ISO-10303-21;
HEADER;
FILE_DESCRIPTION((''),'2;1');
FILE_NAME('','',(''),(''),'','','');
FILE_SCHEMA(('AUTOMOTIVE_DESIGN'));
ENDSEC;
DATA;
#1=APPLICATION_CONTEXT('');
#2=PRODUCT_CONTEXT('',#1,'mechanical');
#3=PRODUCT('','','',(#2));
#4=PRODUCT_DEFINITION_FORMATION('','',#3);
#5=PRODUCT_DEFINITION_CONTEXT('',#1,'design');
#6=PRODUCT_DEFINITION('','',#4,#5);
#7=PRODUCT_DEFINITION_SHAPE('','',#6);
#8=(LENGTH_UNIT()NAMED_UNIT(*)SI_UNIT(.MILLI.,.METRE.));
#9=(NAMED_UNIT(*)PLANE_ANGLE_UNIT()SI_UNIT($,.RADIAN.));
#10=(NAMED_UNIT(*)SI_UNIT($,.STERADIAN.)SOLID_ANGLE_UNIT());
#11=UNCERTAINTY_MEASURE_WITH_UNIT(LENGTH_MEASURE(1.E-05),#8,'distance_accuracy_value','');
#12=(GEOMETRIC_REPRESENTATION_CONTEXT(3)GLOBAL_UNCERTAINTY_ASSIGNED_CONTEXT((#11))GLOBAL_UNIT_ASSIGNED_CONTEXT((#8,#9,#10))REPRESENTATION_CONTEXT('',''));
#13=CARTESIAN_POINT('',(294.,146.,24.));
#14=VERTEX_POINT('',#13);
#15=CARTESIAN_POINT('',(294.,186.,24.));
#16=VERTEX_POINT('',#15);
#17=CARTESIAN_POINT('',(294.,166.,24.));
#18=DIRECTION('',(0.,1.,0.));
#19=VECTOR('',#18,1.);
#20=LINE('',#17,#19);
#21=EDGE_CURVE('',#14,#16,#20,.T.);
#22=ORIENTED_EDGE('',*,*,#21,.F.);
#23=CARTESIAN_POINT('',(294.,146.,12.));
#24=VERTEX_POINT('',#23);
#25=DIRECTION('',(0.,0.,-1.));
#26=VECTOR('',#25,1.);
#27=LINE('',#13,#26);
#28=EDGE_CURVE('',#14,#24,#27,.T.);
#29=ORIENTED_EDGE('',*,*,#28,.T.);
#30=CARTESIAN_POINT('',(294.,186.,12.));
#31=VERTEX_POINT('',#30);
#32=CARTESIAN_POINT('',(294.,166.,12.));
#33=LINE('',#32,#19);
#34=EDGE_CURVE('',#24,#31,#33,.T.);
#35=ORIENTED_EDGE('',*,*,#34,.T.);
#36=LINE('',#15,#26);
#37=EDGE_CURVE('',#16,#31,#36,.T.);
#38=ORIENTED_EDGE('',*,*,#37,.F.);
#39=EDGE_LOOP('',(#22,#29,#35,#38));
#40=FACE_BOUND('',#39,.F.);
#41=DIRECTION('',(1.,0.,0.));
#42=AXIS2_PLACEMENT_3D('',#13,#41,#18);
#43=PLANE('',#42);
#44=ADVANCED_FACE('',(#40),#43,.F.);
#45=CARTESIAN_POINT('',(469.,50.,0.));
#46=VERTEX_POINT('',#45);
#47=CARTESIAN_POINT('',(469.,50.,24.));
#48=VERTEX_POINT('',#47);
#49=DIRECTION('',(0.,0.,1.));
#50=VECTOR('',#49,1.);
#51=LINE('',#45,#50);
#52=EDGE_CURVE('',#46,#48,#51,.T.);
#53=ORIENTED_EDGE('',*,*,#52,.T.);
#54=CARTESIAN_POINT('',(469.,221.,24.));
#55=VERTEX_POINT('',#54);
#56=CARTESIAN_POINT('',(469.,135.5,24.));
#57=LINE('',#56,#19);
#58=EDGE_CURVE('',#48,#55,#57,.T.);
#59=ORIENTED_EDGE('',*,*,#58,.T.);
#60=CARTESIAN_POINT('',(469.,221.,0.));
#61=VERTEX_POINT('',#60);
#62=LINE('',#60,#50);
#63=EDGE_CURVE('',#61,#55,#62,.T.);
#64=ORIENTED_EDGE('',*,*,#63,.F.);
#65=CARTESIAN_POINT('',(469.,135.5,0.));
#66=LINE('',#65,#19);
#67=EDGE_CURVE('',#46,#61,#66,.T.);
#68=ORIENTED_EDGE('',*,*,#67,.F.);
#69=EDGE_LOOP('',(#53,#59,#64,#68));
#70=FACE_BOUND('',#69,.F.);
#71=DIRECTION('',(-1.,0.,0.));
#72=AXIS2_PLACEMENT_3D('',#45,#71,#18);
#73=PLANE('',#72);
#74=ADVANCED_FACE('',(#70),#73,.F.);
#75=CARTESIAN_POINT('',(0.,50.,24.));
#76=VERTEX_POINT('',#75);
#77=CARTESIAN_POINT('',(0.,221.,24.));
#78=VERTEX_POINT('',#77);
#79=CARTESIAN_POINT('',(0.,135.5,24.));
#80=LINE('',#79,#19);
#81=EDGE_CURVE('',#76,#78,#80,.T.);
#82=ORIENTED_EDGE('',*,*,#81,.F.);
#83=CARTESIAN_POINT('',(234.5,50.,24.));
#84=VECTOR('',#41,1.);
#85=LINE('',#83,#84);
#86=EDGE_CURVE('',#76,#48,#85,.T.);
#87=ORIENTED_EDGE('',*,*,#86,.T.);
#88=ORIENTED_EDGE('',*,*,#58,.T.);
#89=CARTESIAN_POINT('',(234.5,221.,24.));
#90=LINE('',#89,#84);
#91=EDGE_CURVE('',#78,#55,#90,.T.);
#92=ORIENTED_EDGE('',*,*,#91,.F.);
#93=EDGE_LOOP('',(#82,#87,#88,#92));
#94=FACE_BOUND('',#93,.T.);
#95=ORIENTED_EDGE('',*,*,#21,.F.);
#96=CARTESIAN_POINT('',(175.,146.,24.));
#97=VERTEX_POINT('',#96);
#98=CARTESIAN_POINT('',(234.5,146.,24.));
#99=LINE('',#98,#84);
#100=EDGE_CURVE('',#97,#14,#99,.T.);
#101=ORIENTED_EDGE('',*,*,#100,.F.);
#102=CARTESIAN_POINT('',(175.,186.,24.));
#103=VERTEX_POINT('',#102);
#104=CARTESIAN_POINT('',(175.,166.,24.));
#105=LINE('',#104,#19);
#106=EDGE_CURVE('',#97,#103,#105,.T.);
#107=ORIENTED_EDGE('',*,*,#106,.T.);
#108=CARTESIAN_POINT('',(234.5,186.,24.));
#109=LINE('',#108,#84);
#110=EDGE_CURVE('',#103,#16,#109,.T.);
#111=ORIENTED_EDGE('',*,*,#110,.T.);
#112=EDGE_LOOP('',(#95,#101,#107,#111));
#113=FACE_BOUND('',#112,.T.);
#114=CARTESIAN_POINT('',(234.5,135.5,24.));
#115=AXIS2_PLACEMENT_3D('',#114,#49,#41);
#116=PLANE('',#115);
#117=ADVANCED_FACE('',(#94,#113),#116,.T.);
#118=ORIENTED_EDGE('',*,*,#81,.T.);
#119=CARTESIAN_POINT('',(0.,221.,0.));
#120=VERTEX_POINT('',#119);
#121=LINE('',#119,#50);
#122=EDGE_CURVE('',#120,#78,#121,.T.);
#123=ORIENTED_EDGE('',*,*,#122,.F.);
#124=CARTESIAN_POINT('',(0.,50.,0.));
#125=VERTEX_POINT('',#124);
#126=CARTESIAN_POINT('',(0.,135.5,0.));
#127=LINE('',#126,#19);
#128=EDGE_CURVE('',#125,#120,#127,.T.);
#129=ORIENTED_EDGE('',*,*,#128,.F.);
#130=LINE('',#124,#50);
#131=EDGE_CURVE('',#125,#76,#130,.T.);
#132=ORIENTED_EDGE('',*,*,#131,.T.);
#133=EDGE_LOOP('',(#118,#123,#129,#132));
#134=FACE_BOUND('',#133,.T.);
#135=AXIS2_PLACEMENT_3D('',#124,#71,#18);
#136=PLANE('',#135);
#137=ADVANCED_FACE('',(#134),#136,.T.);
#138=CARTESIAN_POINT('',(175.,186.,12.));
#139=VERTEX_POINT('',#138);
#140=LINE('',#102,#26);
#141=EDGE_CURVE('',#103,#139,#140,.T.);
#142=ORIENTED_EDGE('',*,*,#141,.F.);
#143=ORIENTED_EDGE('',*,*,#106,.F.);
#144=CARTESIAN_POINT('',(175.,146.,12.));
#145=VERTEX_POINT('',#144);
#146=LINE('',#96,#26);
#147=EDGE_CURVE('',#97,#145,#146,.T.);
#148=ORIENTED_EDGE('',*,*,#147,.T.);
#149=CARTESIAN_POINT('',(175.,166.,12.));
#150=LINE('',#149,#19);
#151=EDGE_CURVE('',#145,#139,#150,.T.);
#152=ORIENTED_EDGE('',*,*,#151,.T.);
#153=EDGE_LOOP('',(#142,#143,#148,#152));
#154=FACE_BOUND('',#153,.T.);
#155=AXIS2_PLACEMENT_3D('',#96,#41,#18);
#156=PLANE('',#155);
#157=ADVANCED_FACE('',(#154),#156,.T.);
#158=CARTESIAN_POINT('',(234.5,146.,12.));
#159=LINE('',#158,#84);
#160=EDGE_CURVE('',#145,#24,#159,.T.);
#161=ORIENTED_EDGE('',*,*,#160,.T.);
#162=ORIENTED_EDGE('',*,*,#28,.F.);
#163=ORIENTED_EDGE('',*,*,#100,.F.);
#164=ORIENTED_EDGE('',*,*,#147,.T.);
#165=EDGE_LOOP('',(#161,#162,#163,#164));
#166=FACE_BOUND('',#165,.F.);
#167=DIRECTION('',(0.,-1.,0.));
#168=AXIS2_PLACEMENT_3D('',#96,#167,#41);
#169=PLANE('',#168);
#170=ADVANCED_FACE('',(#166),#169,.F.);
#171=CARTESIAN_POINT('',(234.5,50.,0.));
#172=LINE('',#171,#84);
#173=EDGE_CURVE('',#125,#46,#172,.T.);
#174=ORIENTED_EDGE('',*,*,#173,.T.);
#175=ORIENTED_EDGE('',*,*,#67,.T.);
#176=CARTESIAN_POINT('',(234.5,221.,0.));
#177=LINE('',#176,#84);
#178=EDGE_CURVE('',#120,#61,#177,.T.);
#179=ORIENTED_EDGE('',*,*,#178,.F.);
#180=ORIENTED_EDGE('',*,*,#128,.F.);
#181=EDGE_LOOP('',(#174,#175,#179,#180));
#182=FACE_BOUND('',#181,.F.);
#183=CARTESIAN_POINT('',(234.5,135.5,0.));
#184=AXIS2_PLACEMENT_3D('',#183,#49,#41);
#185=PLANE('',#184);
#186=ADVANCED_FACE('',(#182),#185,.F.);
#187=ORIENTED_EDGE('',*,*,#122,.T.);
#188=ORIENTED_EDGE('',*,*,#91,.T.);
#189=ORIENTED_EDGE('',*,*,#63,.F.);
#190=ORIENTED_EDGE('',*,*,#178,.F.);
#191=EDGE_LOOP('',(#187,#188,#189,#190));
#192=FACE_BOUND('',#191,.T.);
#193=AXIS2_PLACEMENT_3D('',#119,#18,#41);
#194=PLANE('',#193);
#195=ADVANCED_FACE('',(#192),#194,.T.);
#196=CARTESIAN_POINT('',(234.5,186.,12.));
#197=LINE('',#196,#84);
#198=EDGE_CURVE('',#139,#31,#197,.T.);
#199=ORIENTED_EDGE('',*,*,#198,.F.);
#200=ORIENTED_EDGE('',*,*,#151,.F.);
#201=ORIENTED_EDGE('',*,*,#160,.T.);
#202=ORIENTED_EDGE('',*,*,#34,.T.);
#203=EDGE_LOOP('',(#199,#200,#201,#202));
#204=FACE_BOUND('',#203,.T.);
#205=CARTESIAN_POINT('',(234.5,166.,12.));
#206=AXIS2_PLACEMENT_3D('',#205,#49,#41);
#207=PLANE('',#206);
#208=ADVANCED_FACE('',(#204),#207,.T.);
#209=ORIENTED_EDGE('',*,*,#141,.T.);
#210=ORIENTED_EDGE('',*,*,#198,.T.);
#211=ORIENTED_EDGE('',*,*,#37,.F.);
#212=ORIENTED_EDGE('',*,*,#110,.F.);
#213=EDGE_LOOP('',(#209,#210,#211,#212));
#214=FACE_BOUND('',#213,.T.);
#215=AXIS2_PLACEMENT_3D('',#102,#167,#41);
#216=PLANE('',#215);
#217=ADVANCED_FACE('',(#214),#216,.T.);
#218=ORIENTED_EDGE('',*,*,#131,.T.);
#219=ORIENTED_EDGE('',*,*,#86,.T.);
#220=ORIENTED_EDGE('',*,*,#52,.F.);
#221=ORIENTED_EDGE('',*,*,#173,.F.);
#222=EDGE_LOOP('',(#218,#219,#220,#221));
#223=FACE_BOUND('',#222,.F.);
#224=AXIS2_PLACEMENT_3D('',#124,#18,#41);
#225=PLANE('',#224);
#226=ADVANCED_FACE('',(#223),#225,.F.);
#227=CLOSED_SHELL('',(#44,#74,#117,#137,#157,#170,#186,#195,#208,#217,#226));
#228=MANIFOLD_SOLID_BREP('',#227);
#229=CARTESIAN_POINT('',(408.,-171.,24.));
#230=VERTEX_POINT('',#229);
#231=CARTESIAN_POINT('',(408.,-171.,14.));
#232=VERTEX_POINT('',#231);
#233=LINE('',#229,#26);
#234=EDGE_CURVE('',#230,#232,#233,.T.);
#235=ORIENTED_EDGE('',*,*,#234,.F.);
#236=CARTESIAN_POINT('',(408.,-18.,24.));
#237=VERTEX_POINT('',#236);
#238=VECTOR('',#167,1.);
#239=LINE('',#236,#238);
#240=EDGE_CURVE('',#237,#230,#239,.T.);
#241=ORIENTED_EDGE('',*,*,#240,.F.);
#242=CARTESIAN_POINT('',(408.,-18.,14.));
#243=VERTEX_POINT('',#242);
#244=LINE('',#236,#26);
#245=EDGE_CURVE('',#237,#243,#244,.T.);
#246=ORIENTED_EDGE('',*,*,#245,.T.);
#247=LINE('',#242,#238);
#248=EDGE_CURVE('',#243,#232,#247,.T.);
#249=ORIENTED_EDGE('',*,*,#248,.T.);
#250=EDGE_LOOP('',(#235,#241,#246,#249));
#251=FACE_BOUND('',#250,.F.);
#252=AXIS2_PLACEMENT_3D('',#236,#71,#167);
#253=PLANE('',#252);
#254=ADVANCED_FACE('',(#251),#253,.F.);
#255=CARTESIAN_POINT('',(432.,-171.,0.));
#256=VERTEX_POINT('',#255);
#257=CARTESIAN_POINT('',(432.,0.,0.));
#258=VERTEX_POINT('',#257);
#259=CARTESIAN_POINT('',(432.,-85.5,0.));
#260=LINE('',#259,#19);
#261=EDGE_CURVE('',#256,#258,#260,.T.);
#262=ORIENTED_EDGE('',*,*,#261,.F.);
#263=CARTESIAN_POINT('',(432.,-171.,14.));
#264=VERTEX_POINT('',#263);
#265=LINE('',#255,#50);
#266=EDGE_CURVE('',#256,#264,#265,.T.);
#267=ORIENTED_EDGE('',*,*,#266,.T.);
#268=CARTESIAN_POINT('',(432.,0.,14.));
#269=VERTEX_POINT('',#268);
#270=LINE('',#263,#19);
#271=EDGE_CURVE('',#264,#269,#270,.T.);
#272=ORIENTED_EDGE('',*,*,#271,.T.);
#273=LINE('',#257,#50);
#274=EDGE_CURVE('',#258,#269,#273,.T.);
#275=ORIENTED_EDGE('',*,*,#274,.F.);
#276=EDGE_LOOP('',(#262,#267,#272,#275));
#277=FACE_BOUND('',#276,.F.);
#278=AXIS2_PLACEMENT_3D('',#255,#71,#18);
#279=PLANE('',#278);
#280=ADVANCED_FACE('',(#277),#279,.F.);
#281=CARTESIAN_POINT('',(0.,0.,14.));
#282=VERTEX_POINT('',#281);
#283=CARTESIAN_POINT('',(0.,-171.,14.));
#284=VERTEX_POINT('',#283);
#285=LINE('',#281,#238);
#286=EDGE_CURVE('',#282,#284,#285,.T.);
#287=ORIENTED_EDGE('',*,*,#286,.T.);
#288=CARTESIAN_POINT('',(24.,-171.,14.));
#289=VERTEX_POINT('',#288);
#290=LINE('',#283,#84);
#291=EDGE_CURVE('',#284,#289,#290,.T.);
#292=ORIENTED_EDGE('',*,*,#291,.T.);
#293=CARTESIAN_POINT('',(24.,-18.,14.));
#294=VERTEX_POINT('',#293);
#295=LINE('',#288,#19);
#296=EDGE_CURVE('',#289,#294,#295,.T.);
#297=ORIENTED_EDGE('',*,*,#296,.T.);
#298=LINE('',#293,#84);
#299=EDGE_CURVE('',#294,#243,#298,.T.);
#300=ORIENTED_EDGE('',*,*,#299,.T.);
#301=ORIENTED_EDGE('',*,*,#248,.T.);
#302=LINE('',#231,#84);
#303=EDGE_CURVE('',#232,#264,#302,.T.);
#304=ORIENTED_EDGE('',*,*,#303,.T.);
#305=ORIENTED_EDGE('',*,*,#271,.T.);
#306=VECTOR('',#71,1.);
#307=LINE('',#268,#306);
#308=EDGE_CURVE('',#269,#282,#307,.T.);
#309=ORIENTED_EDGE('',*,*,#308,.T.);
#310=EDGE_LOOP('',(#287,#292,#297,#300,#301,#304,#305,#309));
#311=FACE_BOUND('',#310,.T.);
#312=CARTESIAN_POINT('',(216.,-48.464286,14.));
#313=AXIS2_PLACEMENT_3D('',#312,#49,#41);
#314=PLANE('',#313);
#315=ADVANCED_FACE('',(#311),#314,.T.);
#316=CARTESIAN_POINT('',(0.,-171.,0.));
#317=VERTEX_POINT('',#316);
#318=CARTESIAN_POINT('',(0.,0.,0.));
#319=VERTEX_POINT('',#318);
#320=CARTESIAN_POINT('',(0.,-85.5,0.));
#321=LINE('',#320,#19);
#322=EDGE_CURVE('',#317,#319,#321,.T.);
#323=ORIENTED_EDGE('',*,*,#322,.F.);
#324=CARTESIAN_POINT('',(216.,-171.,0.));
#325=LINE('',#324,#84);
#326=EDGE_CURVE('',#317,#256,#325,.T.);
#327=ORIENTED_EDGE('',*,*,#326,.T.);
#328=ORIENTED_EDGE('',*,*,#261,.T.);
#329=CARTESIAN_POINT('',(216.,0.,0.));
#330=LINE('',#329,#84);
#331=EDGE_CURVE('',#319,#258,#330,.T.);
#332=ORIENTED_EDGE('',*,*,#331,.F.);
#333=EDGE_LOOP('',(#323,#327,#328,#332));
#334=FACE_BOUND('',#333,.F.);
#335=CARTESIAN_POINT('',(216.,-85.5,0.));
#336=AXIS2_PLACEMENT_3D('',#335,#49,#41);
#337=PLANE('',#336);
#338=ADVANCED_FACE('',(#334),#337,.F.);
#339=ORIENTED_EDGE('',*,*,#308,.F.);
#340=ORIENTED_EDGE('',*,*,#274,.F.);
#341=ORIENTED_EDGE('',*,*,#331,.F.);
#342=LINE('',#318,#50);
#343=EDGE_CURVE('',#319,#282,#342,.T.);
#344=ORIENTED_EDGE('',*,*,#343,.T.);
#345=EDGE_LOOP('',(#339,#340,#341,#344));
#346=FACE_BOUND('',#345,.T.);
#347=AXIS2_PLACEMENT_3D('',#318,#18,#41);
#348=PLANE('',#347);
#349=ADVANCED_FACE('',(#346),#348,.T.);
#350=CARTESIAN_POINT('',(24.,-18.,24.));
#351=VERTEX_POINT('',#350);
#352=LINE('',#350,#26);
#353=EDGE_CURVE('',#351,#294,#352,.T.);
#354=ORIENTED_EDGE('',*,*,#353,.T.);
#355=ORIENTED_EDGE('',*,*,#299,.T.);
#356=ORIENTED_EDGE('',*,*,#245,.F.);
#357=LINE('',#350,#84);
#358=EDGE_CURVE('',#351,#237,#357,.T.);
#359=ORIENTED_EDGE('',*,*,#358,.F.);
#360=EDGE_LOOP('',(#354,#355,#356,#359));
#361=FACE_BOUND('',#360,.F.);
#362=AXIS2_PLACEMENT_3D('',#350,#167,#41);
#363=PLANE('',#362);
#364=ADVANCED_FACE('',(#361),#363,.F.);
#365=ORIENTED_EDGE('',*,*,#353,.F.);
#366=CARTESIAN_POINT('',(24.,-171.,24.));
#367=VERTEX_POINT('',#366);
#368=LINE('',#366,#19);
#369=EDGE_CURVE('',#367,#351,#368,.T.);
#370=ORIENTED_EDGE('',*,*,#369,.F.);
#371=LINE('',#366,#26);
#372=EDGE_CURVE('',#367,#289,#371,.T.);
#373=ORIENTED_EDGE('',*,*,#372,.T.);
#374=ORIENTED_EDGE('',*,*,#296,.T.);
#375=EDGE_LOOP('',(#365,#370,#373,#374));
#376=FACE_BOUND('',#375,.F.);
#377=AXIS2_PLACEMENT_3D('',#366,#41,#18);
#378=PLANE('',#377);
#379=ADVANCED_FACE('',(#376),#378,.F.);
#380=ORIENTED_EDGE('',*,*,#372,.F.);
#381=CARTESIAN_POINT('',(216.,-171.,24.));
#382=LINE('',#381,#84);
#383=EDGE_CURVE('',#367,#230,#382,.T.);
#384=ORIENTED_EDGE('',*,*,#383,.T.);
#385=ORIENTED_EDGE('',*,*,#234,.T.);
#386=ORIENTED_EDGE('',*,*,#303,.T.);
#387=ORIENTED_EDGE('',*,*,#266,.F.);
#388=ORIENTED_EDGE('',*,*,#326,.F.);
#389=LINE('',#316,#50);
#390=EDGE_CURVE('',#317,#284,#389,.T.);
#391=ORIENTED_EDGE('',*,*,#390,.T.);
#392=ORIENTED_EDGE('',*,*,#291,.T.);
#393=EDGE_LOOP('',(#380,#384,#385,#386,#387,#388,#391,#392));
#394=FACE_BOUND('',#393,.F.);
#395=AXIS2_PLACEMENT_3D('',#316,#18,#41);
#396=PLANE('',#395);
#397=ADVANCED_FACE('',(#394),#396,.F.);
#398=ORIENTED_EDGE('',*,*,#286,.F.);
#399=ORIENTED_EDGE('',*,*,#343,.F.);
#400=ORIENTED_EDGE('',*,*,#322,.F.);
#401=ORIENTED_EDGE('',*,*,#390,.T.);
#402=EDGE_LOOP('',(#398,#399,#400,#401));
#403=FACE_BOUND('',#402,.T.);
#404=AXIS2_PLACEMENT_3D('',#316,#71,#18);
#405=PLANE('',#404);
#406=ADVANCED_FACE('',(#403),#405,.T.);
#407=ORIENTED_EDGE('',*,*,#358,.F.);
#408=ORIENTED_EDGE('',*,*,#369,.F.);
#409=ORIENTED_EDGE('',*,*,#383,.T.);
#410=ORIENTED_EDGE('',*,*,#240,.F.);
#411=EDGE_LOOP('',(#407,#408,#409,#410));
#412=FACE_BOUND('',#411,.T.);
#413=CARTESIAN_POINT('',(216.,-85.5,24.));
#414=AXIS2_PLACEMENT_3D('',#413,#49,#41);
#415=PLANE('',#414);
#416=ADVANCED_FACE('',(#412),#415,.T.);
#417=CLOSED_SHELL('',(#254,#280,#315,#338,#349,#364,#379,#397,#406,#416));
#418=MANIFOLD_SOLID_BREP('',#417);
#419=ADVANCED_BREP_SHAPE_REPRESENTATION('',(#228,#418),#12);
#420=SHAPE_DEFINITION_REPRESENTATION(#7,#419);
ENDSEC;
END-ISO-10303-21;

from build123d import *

# Parameters (mm, degrees)
F0_W     = 432
F0_H     = 171
F1_DEPTH = 24
F3_DEPTH = 10
F4_W     = 469
F4_H     = 171
F5_DEPTH = 24
F6_W     = 119
F6_H     = 40
F7_DEPTH = 12


with BuildPart() as f1:
    # F0 (on Top) → F1 (new body)
    with BuildSketch(Plane.XY):
        with Locations((216, -85.5)):
            Rectangle(F0_W, F0_H)
    extrude(amount=F1_DEPTH)

    # F2 (on face) → F3 (cut)
    with BuildSketch(Plane.XY.offset(24)):
        Polygon((0, 0), (0, -171), (24, -171), (24, -18), (408, -18), (408, -171), (432, -171), (432, 0), align=None)
    extrude(amount=-F3_DEPTH, mode=Mode.SUBTRACT)


with BuildPart() as f5:
    # F4 (on Top) → F5 (new body)
    with BuildSketch(Plane.XY):
        with Locations((234.5, 135.5)):
            Rectangle(F4_W, F4_H)
    extrude(amount=F5_DEPTH)

    # F6 (on face) → F7 (cut)
    with BuildSketch(Plane.XY.offset(24)):
        with Locations((234.5, 166)):
            Rectangle(F6_W, F6_H)
    extrude(amount=-F7_DEPTH, mode=Mode.SUBTRACT)


solid = Compound([f1.part, f5.part])
